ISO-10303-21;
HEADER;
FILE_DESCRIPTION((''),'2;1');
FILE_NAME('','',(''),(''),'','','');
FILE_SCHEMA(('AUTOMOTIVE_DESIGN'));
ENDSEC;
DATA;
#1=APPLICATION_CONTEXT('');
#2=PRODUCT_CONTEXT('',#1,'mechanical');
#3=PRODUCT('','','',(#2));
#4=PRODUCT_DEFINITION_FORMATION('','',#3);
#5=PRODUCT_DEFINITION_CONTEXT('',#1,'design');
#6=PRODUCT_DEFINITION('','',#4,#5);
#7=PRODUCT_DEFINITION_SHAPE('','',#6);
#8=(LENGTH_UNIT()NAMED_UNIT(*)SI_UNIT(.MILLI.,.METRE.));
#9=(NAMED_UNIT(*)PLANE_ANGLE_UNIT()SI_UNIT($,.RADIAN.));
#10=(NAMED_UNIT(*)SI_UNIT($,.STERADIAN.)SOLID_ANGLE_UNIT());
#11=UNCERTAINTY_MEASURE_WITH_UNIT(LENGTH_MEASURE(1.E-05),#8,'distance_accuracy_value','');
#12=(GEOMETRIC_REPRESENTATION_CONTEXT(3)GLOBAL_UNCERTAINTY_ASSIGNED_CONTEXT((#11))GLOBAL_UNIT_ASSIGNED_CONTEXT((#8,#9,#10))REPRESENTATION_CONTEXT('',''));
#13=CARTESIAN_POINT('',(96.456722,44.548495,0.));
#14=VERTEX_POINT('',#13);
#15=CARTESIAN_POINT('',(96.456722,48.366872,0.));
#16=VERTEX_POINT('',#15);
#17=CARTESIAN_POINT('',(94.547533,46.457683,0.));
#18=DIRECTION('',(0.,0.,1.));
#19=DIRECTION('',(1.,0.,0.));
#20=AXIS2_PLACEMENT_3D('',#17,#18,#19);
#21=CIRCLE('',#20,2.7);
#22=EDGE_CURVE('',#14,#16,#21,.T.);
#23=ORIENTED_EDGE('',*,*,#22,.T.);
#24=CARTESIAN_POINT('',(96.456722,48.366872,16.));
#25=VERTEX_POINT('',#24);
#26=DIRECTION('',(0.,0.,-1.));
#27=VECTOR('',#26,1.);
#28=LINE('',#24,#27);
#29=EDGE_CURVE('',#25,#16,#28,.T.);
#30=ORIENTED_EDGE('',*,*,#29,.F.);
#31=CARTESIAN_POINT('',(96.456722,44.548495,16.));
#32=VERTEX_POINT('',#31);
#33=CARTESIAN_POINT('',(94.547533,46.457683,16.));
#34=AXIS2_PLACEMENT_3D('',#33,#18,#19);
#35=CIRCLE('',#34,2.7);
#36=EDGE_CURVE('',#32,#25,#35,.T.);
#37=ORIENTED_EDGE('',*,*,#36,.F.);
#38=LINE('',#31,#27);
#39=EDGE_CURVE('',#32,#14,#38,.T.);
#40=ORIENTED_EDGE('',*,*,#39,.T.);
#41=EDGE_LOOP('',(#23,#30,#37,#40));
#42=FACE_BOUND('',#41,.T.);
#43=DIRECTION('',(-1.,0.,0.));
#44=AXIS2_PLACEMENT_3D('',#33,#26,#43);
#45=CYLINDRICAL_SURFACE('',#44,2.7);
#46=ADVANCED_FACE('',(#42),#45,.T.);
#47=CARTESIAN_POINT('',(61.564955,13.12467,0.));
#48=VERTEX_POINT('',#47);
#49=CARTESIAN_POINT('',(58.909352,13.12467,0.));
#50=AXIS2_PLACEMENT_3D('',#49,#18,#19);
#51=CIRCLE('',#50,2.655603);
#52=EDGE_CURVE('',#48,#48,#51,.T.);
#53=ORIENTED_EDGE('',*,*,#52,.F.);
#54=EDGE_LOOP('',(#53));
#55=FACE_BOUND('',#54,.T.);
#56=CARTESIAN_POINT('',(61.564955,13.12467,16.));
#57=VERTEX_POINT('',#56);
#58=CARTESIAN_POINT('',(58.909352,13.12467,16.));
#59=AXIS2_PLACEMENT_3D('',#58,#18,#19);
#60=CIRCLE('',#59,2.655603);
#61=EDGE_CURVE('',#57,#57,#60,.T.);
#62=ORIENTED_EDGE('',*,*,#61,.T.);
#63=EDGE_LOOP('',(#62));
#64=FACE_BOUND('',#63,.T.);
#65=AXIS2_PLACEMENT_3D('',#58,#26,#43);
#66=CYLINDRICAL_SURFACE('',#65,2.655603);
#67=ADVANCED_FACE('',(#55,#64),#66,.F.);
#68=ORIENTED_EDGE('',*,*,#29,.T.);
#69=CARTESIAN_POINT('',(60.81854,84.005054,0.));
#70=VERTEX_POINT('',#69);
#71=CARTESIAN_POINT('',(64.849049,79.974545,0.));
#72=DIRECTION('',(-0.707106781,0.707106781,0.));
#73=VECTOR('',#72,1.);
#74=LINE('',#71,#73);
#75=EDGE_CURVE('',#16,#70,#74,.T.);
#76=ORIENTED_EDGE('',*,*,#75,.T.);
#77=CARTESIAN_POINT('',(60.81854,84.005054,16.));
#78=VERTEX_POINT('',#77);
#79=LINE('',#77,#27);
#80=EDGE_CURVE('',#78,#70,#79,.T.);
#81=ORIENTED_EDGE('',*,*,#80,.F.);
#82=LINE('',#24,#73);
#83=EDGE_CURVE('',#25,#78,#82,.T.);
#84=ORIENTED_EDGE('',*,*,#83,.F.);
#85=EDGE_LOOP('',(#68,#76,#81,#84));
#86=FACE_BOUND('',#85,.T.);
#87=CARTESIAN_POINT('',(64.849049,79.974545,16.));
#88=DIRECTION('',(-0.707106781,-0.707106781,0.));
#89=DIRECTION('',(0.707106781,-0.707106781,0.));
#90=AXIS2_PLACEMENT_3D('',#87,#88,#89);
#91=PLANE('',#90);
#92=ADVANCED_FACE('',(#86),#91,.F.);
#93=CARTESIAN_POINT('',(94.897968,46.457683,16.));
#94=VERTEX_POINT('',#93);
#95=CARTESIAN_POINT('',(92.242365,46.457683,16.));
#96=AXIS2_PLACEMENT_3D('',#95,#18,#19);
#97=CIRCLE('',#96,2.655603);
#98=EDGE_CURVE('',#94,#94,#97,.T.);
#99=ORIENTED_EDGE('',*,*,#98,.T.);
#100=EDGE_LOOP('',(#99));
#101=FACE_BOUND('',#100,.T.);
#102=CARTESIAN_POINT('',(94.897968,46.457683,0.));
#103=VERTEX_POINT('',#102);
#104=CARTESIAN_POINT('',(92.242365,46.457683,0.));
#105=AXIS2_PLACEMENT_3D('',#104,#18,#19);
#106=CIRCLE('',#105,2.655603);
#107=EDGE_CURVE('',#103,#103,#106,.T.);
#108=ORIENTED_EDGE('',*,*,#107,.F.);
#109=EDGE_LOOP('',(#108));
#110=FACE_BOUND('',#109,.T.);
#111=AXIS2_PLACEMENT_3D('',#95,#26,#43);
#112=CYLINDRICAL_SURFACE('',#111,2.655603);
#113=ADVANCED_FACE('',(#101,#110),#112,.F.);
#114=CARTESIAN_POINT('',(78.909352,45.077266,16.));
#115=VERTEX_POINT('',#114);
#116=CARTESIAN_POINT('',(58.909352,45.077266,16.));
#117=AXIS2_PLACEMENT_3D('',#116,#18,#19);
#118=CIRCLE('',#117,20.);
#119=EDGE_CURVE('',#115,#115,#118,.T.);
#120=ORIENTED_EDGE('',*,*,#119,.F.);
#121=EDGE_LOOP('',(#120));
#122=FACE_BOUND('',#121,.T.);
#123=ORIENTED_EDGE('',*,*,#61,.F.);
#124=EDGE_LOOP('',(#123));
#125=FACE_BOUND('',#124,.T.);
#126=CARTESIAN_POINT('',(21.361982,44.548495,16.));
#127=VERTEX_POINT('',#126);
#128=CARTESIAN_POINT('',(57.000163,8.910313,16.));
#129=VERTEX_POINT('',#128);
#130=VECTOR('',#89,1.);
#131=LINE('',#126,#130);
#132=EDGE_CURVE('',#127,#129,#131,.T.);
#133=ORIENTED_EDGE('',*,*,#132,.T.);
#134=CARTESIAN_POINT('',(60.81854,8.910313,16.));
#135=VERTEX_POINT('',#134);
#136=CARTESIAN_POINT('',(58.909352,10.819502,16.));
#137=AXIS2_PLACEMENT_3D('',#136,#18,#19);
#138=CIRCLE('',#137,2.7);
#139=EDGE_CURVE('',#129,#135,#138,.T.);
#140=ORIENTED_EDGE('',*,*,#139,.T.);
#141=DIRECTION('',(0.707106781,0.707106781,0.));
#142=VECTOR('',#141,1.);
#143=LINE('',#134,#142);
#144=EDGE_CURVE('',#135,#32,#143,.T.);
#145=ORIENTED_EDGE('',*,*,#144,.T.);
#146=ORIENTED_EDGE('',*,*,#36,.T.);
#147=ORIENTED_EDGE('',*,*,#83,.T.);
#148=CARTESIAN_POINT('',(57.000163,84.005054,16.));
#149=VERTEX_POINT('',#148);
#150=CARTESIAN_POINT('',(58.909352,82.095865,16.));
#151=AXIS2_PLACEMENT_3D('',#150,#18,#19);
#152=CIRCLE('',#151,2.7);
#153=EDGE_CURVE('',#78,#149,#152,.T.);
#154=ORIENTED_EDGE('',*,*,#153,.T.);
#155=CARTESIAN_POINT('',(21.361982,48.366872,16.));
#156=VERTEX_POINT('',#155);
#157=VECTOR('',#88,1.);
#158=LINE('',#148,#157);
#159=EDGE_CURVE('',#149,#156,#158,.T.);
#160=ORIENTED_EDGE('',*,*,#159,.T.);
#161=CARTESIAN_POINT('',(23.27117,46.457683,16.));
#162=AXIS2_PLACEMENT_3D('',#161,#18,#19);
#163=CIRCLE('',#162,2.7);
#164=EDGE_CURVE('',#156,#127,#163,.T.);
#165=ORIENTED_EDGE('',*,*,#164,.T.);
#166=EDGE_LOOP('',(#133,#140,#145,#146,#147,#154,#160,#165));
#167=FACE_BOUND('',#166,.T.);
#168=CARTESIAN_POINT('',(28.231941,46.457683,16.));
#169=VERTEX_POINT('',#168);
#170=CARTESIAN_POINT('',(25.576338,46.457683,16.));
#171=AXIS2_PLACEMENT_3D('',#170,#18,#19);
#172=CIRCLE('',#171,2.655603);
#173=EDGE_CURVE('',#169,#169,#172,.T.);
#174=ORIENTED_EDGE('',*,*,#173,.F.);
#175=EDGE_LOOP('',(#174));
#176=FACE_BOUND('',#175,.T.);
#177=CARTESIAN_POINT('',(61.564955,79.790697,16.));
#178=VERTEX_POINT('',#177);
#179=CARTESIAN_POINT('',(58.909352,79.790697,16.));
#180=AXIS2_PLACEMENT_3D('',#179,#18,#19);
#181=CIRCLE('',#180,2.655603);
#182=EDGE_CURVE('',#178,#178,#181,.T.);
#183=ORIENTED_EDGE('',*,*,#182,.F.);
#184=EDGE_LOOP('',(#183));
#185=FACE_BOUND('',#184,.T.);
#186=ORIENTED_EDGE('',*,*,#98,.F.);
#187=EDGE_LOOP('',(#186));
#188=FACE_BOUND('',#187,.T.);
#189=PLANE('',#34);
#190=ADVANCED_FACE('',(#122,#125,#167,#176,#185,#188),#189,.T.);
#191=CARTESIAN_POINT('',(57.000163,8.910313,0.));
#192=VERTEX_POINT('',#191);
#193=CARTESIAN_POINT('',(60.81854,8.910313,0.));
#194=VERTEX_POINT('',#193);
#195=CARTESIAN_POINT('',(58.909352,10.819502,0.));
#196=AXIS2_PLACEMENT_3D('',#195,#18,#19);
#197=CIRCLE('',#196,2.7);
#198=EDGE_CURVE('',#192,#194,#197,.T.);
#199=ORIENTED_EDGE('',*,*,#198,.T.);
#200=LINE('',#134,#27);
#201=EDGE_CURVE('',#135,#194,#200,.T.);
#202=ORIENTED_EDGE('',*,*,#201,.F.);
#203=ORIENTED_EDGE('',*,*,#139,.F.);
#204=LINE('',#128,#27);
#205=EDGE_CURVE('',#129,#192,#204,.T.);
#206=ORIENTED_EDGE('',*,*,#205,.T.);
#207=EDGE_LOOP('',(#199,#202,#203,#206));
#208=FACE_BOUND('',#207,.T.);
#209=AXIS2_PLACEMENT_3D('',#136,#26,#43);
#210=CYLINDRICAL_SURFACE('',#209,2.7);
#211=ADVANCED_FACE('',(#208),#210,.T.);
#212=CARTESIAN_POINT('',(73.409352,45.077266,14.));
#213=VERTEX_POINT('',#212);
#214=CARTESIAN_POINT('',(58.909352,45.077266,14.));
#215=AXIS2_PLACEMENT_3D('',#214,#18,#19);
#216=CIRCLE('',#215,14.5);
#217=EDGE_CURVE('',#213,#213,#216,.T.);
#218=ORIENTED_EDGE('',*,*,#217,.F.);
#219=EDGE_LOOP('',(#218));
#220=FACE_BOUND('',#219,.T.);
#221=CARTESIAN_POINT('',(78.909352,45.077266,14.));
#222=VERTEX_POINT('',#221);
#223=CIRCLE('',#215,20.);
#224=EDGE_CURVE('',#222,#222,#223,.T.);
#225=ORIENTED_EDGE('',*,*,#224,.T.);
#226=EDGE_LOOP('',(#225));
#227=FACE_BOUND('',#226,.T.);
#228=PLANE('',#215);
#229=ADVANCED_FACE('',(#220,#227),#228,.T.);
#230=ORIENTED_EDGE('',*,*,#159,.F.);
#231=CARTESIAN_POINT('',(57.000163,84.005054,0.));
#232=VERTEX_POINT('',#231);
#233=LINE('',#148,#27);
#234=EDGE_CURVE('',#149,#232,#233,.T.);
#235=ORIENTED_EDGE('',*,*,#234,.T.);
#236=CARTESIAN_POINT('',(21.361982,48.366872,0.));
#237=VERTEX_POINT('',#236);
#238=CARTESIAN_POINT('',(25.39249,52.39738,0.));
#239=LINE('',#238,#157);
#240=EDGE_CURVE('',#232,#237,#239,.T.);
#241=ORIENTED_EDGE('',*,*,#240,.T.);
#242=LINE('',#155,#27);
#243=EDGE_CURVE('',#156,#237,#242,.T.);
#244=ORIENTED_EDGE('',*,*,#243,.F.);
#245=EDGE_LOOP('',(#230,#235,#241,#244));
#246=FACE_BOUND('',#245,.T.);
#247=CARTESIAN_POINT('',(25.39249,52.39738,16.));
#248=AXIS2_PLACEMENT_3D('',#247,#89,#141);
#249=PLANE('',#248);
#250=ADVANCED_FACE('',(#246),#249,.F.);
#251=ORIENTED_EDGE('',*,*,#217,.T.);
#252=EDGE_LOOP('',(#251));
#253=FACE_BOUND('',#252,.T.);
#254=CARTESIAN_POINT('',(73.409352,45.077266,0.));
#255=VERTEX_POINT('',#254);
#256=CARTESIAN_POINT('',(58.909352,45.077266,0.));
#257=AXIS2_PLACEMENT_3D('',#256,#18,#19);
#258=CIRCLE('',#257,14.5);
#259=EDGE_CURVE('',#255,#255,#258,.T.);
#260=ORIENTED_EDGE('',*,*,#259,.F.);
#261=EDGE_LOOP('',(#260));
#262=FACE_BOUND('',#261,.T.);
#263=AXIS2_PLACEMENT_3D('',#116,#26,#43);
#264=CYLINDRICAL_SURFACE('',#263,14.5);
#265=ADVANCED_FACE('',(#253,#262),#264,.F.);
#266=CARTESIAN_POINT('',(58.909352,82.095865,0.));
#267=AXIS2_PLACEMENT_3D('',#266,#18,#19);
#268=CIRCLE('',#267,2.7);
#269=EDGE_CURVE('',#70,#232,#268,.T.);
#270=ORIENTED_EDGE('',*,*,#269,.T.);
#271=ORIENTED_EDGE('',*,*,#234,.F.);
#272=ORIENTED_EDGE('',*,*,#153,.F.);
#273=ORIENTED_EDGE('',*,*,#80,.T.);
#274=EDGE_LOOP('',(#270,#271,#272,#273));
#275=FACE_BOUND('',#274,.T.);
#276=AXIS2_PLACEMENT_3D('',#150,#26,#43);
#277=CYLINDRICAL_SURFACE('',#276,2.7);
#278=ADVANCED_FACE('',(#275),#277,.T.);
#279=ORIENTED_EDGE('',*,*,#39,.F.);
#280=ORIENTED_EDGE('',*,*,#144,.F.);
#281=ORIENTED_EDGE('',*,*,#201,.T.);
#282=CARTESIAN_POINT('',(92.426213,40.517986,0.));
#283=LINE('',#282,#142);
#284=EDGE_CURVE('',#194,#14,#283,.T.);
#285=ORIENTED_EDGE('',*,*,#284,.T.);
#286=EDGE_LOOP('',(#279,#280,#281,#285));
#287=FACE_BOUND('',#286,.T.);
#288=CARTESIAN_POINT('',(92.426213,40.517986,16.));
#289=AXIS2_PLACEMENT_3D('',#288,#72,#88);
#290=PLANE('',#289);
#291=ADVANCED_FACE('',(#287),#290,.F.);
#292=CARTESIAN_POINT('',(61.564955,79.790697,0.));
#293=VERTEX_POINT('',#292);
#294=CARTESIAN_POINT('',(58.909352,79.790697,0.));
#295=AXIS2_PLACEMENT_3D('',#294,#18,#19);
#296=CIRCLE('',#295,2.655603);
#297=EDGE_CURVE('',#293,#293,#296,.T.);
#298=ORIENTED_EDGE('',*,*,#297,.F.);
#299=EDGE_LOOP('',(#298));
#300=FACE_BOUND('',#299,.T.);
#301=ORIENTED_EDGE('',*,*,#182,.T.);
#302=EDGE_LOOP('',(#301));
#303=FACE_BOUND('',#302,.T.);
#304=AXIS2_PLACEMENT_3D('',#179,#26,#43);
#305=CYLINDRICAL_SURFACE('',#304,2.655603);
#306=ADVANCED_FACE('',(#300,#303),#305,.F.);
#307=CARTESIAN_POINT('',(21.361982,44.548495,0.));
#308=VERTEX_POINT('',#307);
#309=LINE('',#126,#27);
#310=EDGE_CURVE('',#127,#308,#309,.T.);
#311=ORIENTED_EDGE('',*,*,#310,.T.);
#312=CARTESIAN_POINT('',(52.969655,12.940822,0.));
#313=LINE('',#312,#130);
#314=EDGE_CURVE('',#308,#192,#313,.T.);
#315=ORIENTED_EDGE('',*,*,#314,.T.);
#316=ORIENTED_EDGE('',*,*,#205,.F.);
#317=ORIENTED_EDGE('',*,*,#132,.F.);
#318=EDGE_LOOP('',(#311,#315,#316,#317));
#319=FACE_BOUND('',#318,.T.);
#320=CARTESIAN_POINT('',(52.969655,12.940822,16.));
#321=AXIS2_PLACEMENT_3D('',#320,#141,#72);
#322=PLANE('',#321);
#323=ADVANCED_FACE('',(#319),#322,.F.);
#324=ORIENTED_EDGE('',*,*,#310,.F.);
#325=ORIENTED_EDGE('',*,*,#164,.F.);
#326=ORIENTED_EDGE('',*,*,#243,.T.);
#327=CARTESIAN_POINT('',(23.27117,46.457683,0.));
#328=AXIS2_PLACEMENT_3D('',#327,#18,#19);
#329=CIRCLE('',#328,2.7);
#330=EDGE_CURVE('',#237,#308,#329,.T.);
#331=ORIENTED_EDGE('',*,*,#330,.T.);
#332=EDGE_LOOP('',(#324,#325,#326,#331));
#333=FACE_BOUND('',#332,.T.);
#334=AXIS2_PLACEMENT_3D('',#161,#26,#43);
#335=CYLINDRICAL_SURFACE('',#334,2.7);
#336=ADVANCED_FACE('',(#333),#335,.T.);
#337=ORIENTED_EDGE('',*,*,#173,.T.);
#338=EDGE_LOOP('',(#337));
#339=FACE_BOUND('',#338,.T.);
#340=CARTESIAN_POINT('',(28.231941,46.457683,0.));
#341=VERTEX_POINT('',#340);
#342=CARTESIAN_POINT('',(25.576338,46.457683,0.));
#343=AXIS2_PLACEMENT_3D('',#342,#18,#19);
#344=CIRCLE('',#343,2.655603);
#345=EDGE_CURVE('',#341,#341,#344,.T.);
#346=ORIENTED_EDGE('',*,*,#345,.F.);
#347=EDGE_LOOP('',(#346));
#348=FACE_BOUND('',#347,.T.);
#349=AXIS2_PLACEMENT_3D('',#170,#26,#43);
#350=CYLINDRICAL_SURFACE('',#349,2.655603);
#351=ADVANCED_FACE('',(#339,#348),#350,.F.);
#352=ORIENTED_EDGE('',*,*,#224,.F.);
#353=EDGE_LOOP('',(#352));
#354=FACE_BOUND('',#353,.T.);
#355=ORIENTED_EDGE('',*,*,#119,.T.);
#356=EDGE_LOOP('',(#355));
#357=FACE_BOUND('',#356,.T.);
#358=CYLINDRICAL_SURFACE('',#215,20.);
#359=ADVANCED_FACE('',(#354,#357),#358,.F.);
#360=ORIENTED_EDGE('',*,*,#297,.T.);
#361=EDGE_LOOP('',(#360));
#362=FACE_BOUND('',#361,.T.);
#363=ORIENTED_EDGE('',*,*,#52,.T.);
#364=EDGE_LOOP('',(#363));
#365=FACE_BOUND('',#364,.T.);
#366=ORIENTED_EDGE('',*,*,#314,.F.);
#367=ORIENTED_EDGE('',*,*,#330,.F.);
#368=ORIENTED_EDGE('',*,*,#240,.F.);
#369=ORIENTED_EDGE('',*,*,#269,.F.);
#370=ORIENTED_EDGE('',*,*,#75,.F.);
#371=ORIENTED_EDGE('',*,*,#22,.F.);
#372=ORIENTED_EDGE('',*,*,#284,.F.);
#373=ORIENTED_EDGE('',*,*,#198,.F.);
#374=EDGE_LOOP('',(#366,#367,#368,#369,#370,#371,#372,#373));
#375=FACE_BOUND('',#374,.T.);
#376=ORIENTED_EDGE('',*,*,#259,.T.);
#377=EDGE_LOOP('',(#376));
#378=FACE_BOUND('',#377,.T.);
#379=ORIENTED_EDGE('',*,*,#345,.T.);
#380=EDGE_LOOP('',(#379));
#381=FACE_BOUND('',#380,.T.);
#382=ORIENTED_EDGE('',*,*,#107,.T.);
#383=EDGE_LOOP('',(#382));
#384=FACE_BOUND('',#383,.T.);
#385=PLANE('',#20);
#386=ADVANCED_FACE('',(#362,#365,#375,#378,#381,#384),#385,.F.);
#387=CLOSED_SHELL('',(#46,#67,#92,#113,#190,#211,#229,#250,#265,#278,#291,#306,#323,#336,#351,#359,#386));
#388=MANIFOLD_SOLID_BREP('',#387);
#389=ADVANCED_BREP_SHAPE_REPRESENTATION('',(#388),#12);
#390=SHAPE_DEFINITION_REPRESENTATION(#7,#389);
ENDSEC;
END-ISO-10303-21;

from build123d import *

# Parameters (mm, degrees)
SKETCH1_R           = 14.5
SKETCH1_R_2         = 2.655602963
BOSS_EXTRUDE1_DEPTH = 16
SKETCH2_R           = 20
CUT_EXTRUDE1_DEPTH  = 2


with BuildPart() as part:
    # Sketch1 → Boss-Extrude1 (new body)
    with BuildSketch(Plane.XY):
        with BuildLine():
            Line((96.456721684, 48.36687177), (64.849048565, 79.974544889))
            Line((64.849048565, 79.974544889), (60.818539912, 84.005053542))
            ThreePointArc((60.818539912, 84.005053542), (58.909351603, 84.795865233), (57.000163293, 84.005053542))
            Line((57.000163293, 84.005053542), (25.392490174, 52.397380423))
            Line((25.392490174, 52.397380423), (21.361981522, 48.36687177))
            ThreePointArc((21.361981522, 48.36687177), (20.571169831, 46.457683461), (21.361981522, 44.548495152))
            Line((21.361981522, 44.548495152), (52.969654641, 12.940822033))
            Line((52.969654641, 12.940822033), (57.000163293, 8.91031338))
            ThreePointArc((57.000163293, 8.91031338), (58.909351603, 8.119501689), (60.818539912, 8.91031338))
            Line((60.818539912, 8.91031338), (92.426213031, 40.517986499))
            Line((92.426213031, 40.517986499), (96.456721684, 44.548495152))
            ThreePointArc((96.456721684, 44.548495152), (97.247533374, 46.457683461), (96.456721684, 48.36687177))
        make_face()
        with Locations((58.909351603, 45.077265813)):
            Circle(SKETCH1_R, mode=Mode.SUBTRACT)
        with Locations((58.909351603, 13.124669796)):
            Circle(SKETCH1_R_2, mode=Mode.SUBTRACT)
        with Locations((92.242365268, 46.457683461)):
            Circle(SKETCH1_R_2, mode=Mode.SUBTRACT)
        with Locations((58.909351603, 79.790697126)):
            Circle(SKETCH1_R_2, mode=Mode.SUBTRACT)
        with Locations((25.576337937, 46.457683461)):
            Circle(SKETCH1_R_2, mode=Mode.SUBTRACT)
    extrude(amount=BOSS_EXTRUDE1_DEPTH)

    # Sketch2 → Cut-Extrude1 (cut)
    with BuildSketch(Plane.XY.offset(16)):
        with Locations((58.909351603, 45.077265813)):
            Circle(SKETCH2_R)
    extrude(amount=-CUT_EXTRUDE1_DEPTH, mode=Mode.SUBTRACT)


solid = part.part
